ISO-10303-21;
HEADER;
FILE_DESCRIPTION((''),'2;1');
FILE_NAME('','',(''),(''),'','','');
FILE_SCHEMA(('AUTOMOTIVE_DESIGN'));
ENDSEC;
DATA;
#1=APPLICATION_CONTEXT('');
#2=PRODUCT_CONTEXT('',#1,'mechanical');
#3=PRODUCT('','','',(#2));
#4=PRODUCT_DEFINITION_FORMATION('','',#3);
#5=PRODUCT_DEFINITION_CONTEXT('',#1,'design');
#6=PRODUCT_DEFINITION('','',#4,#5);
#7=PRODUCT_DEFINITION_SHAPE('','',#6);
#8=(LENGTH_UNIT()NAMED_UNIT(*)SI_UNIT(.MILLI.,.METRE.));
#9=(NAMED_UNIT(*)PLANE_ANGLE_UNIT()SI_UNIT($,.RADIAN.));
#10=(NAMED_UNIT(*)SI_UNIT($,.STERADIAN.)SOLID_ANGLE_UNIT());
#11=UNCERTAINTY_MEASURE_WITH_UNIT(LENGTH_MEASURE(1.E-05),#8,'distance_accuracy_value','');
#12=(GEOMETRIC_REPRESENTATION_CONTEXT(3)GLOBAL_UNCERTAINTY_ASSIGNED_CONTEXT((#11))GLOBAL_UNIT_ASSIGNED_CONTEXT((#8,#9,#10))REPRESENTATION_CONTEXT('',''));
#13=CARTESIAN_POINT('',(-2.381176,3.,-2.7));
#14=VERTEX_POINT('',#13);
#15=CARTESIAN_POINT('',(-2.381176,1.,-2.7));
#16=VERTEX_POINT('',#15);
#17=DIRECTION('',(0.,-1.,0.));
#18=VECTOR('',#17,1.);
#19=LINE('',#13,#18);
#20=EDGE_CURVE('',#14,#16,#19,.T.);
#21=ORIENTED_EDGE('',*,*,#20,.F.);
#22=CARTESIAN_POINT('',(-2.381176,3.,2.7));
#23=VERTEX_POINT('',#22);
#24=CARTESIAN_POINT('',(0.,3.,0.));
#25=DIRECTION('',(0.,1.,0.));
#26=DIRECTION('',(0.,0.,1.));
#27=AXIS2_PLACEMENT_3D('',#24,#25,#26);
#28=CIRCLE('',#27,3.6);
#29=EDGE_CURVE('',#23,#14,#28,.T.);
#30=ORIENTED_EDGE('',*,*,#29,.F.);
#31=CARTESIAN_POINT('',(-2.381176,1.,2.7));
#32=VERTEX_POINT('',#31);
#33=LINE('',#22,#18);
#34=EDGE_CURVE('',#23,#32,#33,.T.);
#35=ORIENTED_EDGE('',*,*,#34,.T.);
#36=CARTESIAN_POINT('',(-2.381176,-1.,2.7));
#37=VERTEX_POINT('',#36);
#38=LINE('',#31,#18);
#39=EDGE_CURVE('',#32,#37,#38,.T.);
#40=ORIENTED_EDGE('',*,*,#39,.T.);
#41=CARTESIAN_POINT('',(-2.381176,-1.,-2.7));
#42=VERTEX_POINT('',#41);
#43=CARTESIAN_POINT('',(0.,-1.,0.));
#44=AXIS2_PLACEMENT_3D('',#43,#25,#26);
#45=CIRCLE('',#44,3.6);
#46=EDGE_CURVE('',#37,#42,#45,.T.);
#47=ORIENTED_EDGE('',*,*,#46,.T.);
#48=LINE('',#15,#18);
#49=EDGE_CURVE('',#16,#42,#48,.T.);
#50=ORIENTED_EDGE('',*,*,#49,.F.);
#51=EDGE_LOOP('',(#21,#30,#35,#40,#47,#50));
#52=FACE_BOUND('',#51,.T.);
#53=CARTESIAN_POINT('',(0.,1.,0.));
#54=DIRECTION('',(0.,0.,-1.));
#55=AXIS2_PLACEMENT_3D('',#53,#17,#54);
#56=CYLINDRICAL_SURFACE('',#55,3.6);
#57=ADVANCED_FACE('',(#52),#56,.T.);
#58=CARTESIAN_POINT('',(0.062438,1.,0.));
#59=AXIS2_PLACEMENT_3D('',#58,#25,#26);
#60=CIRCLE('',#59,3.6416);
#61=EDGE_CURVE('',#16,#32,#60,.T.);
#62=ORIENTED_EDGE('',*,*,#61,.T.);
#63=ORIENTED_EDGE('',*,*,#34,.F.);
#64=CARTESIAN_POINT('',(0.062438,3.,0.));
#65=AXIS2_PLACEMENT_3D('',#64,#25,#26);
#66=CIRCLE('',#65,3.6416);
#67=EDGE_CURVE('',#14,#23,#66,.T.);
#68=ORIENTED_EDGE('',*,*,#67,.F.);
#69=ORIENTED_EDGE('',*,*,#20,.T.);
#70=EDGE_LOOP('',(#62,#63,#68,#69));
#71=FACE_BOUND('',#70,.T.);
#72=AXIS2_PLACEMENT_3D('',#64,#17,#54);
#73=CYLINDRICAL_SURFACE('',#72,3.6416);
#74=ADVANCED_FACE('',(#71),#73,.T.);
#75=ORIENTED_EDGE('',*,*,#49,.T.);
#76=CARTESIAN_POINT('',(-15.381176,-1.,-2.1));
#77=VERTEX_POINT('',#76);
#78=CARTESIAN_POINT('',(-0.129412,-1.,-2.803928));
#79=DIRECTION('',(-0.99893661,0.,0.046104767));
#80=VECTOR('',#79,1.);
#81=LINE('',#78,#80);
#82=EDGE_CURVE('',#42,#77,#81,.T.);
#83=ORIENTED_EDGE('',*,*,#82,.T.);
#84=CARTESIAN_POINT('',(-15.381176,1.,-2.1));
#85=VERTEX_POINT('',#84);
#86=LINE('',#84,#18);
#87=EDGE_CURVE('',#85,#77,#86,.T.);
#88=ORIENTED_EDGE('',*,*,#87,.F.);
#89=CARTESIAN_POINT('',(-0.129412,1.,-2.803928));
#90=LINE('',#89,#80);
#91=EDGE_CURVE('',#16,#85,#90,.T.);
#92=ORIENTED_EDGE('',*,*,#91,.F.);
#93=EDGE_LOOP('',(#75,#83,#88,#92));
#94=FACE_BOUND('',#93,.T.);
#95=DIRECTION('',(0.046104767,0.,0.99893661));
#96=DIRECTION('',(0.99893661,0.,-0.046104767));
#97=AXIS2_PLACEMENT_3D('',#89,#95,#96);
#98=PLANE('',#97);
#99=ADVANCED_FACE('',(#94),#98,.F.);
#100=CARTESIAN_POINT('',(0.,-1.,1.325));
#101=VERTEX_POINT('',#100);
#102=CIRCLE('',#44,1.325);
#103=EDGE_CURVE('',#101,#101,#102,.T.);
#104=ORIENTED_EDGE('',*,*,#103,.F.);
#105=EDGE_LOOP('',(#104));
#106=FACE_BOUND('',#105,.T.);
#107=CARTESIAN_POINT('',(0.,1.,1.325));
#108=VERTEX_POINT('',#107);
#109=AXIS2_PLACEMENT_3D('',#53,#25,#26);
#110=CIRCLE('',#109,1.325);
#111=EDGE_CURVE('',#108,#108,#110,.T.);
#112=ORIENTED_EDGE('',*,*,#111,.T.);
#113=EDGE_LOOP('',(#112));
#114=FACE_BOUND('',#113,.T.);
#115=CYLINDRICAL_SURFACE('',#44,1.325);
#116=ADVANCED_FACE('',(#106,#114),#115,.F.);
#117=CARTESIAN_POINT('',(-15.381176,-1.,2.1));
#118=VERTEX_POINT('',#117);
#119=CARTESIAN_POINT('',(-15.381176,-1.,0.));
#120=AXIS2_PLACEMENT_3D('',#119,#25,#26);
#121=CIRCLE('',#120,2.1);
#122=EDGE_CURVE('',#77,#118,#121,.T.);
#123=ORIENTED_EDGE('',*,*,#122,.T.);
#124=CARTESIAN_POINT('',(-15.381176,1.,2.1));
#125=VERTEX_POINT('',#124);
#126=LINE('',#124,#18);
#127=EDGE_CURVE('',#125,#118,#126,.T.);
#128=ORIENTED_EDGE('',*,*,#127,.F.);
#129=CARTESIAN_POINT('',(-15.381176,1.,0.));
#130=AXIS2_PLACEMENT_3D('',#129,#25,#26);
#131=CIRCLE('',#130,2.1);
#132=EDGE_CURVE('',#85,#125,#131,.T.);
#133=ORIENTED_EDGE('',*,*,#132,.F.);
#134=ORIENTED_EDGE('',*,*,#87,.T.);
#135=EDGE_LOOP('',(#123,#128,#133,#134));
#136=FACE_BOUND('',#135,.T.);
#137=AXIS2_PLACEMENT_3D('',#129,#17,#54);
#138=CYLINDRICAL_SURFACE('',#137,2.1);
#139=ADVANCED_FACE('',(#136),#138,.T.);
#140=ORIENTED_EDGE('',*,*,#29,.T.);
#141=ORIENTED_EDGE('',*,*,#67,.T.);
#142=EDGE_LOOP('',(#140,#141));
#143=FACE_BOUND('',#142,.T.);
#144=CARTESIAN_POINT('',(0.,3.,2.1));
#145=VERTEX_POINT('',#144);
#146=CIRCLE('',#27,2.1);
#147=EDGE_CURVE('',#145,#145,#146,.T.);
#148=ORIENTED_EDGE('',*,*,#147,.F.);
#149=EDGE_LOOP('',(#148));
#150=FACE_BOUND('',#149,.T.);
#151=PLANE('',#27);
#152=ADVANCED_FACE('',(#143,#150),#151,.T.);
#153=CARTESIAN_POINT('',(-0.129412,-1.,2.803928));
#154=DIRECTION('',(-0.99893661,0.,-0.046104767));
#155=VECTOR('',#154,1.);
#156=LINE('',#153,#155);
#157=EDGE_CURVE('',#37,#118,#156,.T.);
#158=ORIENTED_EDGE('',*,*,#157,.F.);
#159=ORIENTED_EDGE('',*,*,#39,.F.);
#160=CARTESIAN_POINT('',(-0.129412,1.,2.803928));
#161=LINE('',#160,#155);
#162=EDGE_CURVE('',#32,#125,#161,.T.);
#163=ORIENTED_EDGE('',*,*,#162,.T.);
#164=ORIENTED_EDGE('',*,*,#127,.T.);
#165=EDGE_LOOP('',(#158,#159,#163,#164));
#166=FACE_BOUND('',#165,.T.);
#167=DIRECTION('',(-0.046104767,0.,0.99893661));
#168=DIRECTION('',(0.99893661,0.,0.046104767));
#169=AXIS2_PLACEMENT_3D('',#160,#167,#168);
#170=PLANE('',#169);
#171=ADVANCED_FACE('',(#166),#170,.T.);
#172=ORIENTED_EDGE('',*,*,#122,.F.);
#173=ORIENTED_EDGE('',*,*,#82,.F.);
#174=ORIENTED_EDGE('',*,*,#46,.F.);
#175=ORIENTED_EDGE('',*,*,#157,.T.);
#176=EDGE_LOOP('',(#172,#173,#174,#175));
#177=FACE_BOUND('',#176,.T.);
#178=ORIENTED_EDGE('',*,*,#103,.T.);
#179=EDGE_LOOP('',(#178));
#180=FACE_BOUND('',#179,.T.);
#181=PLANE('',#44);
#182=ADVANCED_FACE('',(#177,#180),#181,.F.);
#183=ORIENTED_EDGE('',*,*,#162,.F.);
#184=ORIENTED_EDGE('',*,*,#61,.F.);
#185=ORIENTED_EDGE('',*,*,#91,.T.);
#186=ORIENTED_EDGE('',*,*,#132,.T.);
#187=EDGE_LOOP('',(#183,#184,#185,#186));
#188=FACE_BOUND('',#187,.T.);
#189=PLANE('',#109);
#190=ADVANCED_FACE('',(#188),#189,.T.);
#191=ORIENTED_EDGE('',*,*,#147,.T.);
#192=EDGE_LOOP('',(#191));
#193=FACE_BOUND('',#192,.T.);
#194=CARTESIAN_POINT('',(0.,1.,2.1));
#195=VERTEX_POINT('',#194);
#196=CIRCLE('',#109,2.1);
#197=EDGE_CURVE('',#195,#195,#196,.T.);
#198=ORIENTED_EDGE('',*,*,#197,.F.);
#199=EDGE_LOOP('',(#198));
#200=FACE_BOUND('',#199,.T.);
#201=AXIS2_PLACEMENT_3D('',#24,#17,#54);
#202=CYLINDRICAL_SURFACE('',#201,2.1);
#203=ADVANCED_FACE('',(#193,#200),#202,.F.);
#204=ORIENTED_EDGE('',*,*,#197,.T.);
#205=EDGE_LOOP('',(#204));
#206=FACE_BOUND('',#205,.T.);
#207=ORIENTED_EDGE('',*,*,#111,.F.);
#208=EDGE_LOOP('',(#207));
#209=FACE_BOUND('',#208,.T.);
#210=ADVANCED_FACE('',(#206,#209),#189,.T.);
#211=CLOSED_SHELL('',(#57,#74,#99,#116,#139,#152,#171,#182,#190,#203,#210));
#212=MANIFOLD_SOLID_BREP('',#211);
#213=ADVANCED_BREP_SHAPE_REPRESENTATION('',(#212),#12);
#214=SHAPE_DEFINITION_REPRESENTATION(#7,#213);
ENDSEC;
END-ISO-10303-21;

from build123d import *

# Parameters (mm, degrees)
BOSS_EXTRUDE1_DEPTH     = 1
BOSS_EXTRUDE3_START     = 2
SKETCH2_R               = 2.1
BOSS_EXTRUDE3_DEPTH     = 2
CUT_EXTRUDE1_DEPTH      = 18.959719392
CUT_EXTRUDE1_DEPTH_BACK = 18.959719392
SKETCH3_R               = 1.325


with BuildPart() as part:
    # Sketch1 → Boss-Extrude1 (new, symmetric)
    with BuildSketch(Plane(origin=(0, 0, 0), x_dir=(1, 0, 0), z_dir=(0, 1, 0))):
        with BuildLine():
            ThreePointArc((-15.38117618, 2.1), (-17.48117618, 0), (-15.38117618, -2.1))
            Line((-15.38117618, -2.1), (-2.38117618, -2.7))
            ThreePointArc((-2.38117618, -2.7), (3.6, 0), (-2.38117618, 2.7))
            Line((-2.38117618, 2.7), (-15.38117618, 2.1))
        make_face()
    extrude(amount=BOSS_EXTRUDE1_DEPTH, both=True)

    # Sketch2 → Boss-Extrude3 (add)
    with BuildSketch(Plane(origin=(0, 1, 0), x_dir=(1, 0, 0), z_dir=(0, 1, 0)).offset(BOSS_EXTRUDE3_START)):
        with BuildLine():
            ThreePointArc((-2.38117618, 2.7), (-3.579161976, 0), (-2.38117618, -2.7))
            ThreePointArc((-2.38117618, -2.7), (3.6, 0), (-2.38117618, 2.7))
        make_face()
        with Locations(Location((0, 0, 0), (0, 0, 270))):
            Circle(SKETCH2_R, mode=Mode.SUBTRACT)
    extrude(amount=-BOSS_EXTRUDE3_DEPTH)

    # Sketch3 → Cut-Extrude1 (cut, two sides: drawn at the far end of the back side and taken through both)
    with BuildSketch(Plane(origin=(0, 1, 0), x_dir=(1, 0, 0), z_dir=(0, 1, 0)).offset(-CUT_EXTRUDE1_DEPTH_BACK)):
        with Locations(Location((0, 0, 0), (0, 0, 270))):
            Circle(SKETCH3_R)
    extrude(amount=CUT_EXTRUDE1_DEPTH + CUT_EXTRUDE1_DEPTH_BACK, mode=Mode.SUBTRACT)


solid = part.part
